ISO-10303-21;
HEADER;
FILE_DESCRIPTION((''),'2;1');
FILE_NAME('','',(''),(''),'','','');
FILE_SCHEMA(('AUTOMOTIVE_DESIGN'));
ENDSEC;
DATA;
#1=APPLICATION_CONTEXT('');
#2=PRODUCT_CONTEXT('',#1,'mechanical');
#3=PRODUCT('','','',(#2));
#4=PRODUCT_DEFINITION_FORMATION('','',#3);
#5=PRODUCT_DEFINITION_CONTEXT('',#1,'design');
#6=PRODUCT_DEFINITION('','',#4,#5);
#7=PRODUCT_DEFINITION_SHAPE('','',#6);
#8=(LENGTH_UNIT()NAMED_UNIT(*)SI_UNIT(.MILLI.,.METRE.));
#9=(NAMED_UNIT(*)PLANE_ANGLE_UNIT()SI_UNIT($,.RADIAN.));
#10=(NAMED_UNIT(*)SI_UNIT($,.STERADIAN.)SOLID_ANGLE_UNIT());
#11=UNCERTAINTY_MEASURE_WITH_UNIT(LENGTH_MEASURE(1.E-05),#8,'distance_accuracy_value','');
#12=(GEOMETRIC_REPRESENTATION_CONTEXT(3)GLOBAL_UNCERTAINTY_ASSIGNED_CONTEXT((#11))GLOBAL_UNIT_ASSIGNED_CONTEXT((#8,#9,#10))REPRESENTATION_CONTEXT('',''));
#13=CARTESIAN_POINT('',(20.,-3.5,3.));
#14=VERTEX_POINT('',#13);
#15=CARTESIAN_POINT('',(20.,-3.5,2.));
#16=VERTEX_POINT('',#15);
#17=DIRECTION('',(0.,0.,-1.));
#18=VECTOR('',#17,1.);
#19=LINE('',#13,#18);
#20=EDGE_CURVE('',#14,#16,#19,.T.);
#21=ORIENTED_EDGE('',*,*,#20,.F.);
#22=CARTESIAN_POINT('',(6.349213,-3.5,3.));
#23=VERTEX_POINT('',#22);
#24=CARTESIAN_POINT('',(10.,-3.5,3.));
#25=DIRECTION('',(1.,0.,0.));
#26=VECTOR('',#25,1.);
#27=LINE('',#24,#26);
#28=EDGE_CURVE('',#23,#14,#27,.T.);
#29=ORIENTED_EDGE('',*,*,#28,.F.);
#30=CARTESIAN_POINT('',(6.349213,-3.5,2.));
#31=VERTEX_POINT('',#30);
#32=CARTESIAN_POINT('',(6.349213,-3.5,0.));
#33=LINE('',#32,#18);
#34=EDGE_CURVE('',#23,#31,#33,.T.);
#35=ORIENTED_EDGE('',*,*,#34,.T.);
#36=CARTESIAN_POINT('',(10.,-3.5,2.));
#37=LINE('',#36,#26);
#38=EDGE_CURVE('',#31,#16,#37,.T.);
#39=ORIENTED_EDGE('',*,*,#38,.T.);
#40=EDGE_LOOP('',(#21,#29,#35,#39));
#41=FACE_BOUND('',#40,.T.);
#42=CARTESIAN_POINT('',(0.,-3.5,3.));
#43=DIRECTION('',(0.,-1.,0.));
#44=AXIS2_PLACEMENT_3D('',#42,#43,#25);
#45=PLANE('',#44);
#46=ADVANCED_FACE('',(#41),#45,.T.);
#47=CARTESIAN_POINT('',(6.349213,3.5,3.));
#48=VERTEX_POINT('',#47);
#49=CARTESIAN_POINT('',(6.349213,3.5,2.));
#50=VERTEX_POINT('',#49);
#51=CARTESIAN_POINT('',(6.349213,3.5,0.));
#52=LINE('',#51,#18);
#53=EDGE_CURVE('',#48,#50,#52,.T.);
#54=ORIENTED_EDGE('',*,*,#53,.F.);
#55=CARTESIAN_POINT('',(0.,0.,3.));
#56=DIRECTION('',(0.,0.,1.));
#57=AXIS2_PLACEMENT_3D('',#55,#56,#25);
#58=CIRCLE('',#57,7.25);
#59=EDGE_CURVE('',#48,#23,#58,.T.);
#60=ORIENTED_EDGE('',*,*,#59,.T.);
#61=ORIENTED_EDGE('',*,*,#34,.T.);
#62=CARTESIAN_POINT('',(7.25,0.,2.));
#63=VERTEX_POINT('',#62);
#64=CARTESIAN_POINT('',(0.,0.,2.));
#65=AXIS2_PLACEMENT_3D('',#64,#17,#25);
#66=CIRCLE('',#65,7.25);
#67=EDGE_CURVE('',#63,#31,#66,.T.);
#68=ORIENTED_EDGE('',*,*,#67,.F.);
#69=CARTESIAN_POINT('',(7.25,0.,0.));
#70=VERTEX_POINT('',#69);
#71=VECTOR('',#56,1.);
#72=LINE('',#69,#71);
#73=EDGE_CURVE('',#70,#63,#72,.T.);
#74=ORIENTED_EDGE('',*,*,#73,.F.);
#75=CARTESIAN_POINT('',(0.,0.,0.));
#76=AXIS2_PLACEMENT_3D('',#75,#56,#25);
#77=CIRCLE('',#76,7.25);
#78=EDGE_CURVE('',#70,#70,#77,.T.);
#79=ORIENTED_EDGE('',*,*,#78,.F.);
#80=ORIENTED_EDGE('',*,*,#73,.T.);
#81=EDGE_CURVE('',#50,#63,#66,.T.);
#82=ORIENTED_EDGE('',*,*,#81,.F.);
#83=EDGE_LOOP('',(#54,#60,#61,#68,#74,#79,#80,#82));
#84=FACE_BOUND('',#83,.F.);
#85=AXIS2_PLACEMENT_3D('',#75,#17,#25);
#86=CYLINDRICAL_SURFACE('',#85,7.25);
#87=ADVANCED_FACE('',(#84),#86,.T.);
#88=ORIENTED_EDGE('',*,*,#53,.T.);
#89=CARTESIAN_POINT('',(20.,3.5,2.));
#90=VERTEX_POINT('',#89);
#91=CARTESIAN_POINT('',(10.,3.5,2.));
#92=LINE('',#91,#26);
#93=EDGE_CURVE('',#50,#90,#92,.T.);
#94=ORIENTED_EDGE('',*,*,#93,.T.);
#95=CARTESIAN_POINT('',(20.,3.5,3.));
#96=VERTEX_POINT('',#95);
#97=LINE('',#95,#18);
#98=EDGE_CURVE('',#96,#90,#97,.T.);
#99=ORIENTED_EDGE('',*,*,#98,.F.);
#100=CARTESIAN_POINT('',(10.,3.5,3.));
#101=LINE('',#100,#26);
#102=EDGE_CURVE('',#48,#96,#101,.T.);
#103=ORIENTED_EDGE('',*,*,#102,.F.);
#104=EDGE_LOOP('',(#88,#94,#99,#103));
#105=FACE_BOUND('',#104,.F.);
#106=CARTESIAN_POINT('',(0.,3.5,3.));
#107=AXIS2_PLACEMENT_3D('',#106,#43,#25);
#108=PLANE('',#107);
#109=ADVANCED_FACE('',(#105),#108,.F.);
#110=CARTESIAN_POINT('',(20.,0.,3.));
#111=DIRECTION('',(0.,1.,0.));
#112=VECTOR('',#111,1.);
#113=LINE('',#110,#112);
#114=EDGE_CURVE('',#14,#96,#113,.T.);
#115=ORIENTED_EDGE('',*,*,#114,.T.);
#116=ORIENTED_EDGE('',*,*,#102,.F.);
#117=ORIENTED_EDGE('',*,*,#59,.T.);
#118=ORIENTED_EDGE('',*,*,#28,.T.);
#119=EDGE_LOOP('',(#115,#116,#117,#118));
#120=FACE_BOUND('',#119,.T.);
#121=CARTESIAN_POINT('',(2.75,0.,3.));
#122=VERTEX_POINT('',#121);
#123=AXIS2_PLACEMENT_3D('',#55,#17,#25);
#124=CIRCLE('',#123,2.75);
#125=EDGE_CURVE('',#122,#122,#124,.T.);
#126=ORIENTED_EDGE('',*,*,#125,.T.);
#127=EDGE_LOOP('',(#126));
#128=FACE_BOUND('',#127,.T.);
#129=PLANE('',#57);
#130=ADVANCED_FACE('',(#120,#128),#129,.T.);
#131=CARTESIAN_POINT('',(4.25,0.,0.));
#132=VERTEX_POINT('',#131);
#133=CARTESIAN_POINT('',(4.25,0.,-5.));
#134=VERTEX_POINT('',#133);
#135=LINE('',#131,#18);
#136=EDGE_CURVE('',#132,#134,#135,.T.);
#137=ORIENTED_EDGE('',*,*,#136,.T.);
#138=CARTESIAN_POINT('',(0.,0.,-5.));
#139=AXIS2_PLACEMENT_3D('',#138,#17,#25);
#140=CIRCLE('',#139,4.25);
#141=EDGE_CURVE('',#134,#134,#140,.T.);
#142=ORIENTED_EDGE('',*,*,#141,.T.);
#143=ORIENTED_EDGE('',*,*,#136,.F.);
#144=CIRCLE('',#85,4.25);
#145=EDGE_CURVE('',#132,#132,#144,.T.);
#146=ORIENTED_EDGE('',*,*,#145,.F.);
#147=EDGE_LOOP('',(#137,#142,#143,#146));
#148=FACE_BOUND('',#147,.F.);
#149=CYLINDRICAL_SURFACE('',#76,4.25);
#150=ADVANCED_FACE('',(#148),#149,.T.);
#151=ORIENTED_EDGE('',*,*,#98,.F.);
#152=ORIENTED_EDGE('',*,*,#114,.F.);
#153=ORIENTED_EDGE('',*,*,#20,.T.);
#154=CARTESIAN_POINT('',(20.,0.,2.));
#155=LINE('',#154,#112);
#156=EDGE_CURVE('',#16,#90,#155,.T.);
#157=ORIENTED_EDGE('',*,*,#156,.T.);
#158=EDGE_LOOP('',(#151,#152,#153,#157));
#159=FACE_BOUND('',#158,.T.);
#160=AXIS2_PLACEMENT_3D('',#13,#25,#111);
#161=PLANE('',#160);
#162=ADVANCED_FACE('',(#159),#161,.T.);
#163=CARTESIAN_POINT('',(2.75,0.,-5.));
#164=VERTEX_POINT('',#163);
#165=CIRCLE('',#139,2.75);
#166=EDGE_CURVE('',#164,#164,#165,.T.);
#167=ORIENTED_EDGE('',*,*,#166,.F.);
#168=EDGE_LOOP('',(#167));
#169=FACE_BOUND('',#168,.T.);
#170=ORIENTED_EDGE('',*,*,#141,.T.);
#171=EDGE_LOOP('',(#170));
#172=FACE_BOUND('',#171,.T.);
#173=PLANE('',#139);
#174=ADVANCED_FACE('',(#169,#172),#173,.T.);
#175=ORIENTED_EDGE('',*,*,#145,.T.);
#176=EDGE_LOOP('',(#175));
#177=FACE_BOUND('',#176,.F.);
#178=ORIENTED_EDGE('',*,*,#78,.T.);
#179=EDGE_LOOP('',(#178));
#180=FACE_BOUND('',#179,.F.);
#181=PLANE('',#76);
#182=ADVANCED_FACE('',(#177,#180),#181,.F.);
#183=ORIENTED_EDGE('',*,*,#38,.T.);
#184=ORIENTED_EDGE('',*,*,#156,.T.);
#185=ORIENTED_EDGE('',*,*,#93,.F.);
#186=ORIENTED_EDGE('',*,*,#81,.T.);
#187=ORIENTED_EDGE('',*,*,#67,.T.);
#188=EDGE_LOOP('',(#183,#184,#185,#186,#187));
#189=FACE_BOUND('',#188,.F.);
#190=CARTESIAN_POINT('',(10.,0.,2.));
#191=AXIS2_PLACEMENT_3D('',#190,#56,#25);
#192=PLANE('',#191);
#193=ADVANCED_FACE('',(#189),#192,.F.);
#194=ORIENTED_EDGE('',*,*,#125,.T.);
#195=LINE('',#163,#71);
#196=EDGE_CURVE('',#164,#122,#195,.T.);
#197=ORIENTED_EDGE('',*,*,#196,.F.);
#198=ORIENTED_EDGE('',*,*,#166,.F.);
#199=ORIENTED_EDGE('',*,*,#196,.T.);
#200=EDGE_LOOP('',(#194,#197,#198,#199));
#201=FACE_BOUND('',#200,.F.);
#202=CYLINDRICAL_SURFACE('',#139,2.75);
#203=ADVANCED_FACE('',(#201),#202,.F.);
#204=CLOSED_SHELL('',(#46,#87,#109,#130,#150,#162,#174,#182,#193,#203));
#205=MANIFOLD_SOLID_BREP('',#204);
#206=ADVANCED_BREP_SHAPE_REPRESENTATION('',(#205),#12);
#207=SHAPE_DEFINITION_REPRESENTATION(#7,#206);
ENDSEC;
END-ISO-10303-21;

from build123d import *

# Parameters (mm, degrees)
SKETCH_R     = 7.25
PAD_DEPTH    = 3
SKETCH001_W  = 20
SKETCH001_H  = 7
PAD001_DEPTH = 1
SKETCH002_R  = 4.25
PAD002_DEPTH = 5
SKETCH003_R  = 2.75
HOLE_DEPTH   = 8.001


with BuildPart() as part:
    # Sketch → Pad (new body)
    with BuildSketch(Plane.XY):
        Circle(SKETCH_R)
    extrude(amount=PAD_DEPTH)

    # Sketch001 (on Face3 of Pad) → Pad001 (join)
    with BuildSketch(Plane.XY.offset(3)):
        with Locations((10, 0)):
            Rectangle(SKETCH001_W, SKETCH001_H)
    extrude(amount=-PAD001_DEPTH)

    # Sketch002 (on Face2 of Pad001) → Pad002 (join)
    with BuildSketch(Plane(origin=(0, 0, 0), x_dir=(1, 0, 0), z_dir=(0, 0, -1))):
        Circle(SKETCH002_R)
    extrude(amount=PAD002_DEPTH)

    # Sketch003 (on Face11 of Pad002) → Hole (cut, through all)
    with BuildSketch(Plane(origin=(0, 0, -5), x_dir=(1, 0, 0), z_dir=(0, 0, -1))):
        Circle(SKETCH003_R)
    extrude(amount=-HOLE_DEPTH, mode=Mode.SUBTRACT)


solid = part.part
